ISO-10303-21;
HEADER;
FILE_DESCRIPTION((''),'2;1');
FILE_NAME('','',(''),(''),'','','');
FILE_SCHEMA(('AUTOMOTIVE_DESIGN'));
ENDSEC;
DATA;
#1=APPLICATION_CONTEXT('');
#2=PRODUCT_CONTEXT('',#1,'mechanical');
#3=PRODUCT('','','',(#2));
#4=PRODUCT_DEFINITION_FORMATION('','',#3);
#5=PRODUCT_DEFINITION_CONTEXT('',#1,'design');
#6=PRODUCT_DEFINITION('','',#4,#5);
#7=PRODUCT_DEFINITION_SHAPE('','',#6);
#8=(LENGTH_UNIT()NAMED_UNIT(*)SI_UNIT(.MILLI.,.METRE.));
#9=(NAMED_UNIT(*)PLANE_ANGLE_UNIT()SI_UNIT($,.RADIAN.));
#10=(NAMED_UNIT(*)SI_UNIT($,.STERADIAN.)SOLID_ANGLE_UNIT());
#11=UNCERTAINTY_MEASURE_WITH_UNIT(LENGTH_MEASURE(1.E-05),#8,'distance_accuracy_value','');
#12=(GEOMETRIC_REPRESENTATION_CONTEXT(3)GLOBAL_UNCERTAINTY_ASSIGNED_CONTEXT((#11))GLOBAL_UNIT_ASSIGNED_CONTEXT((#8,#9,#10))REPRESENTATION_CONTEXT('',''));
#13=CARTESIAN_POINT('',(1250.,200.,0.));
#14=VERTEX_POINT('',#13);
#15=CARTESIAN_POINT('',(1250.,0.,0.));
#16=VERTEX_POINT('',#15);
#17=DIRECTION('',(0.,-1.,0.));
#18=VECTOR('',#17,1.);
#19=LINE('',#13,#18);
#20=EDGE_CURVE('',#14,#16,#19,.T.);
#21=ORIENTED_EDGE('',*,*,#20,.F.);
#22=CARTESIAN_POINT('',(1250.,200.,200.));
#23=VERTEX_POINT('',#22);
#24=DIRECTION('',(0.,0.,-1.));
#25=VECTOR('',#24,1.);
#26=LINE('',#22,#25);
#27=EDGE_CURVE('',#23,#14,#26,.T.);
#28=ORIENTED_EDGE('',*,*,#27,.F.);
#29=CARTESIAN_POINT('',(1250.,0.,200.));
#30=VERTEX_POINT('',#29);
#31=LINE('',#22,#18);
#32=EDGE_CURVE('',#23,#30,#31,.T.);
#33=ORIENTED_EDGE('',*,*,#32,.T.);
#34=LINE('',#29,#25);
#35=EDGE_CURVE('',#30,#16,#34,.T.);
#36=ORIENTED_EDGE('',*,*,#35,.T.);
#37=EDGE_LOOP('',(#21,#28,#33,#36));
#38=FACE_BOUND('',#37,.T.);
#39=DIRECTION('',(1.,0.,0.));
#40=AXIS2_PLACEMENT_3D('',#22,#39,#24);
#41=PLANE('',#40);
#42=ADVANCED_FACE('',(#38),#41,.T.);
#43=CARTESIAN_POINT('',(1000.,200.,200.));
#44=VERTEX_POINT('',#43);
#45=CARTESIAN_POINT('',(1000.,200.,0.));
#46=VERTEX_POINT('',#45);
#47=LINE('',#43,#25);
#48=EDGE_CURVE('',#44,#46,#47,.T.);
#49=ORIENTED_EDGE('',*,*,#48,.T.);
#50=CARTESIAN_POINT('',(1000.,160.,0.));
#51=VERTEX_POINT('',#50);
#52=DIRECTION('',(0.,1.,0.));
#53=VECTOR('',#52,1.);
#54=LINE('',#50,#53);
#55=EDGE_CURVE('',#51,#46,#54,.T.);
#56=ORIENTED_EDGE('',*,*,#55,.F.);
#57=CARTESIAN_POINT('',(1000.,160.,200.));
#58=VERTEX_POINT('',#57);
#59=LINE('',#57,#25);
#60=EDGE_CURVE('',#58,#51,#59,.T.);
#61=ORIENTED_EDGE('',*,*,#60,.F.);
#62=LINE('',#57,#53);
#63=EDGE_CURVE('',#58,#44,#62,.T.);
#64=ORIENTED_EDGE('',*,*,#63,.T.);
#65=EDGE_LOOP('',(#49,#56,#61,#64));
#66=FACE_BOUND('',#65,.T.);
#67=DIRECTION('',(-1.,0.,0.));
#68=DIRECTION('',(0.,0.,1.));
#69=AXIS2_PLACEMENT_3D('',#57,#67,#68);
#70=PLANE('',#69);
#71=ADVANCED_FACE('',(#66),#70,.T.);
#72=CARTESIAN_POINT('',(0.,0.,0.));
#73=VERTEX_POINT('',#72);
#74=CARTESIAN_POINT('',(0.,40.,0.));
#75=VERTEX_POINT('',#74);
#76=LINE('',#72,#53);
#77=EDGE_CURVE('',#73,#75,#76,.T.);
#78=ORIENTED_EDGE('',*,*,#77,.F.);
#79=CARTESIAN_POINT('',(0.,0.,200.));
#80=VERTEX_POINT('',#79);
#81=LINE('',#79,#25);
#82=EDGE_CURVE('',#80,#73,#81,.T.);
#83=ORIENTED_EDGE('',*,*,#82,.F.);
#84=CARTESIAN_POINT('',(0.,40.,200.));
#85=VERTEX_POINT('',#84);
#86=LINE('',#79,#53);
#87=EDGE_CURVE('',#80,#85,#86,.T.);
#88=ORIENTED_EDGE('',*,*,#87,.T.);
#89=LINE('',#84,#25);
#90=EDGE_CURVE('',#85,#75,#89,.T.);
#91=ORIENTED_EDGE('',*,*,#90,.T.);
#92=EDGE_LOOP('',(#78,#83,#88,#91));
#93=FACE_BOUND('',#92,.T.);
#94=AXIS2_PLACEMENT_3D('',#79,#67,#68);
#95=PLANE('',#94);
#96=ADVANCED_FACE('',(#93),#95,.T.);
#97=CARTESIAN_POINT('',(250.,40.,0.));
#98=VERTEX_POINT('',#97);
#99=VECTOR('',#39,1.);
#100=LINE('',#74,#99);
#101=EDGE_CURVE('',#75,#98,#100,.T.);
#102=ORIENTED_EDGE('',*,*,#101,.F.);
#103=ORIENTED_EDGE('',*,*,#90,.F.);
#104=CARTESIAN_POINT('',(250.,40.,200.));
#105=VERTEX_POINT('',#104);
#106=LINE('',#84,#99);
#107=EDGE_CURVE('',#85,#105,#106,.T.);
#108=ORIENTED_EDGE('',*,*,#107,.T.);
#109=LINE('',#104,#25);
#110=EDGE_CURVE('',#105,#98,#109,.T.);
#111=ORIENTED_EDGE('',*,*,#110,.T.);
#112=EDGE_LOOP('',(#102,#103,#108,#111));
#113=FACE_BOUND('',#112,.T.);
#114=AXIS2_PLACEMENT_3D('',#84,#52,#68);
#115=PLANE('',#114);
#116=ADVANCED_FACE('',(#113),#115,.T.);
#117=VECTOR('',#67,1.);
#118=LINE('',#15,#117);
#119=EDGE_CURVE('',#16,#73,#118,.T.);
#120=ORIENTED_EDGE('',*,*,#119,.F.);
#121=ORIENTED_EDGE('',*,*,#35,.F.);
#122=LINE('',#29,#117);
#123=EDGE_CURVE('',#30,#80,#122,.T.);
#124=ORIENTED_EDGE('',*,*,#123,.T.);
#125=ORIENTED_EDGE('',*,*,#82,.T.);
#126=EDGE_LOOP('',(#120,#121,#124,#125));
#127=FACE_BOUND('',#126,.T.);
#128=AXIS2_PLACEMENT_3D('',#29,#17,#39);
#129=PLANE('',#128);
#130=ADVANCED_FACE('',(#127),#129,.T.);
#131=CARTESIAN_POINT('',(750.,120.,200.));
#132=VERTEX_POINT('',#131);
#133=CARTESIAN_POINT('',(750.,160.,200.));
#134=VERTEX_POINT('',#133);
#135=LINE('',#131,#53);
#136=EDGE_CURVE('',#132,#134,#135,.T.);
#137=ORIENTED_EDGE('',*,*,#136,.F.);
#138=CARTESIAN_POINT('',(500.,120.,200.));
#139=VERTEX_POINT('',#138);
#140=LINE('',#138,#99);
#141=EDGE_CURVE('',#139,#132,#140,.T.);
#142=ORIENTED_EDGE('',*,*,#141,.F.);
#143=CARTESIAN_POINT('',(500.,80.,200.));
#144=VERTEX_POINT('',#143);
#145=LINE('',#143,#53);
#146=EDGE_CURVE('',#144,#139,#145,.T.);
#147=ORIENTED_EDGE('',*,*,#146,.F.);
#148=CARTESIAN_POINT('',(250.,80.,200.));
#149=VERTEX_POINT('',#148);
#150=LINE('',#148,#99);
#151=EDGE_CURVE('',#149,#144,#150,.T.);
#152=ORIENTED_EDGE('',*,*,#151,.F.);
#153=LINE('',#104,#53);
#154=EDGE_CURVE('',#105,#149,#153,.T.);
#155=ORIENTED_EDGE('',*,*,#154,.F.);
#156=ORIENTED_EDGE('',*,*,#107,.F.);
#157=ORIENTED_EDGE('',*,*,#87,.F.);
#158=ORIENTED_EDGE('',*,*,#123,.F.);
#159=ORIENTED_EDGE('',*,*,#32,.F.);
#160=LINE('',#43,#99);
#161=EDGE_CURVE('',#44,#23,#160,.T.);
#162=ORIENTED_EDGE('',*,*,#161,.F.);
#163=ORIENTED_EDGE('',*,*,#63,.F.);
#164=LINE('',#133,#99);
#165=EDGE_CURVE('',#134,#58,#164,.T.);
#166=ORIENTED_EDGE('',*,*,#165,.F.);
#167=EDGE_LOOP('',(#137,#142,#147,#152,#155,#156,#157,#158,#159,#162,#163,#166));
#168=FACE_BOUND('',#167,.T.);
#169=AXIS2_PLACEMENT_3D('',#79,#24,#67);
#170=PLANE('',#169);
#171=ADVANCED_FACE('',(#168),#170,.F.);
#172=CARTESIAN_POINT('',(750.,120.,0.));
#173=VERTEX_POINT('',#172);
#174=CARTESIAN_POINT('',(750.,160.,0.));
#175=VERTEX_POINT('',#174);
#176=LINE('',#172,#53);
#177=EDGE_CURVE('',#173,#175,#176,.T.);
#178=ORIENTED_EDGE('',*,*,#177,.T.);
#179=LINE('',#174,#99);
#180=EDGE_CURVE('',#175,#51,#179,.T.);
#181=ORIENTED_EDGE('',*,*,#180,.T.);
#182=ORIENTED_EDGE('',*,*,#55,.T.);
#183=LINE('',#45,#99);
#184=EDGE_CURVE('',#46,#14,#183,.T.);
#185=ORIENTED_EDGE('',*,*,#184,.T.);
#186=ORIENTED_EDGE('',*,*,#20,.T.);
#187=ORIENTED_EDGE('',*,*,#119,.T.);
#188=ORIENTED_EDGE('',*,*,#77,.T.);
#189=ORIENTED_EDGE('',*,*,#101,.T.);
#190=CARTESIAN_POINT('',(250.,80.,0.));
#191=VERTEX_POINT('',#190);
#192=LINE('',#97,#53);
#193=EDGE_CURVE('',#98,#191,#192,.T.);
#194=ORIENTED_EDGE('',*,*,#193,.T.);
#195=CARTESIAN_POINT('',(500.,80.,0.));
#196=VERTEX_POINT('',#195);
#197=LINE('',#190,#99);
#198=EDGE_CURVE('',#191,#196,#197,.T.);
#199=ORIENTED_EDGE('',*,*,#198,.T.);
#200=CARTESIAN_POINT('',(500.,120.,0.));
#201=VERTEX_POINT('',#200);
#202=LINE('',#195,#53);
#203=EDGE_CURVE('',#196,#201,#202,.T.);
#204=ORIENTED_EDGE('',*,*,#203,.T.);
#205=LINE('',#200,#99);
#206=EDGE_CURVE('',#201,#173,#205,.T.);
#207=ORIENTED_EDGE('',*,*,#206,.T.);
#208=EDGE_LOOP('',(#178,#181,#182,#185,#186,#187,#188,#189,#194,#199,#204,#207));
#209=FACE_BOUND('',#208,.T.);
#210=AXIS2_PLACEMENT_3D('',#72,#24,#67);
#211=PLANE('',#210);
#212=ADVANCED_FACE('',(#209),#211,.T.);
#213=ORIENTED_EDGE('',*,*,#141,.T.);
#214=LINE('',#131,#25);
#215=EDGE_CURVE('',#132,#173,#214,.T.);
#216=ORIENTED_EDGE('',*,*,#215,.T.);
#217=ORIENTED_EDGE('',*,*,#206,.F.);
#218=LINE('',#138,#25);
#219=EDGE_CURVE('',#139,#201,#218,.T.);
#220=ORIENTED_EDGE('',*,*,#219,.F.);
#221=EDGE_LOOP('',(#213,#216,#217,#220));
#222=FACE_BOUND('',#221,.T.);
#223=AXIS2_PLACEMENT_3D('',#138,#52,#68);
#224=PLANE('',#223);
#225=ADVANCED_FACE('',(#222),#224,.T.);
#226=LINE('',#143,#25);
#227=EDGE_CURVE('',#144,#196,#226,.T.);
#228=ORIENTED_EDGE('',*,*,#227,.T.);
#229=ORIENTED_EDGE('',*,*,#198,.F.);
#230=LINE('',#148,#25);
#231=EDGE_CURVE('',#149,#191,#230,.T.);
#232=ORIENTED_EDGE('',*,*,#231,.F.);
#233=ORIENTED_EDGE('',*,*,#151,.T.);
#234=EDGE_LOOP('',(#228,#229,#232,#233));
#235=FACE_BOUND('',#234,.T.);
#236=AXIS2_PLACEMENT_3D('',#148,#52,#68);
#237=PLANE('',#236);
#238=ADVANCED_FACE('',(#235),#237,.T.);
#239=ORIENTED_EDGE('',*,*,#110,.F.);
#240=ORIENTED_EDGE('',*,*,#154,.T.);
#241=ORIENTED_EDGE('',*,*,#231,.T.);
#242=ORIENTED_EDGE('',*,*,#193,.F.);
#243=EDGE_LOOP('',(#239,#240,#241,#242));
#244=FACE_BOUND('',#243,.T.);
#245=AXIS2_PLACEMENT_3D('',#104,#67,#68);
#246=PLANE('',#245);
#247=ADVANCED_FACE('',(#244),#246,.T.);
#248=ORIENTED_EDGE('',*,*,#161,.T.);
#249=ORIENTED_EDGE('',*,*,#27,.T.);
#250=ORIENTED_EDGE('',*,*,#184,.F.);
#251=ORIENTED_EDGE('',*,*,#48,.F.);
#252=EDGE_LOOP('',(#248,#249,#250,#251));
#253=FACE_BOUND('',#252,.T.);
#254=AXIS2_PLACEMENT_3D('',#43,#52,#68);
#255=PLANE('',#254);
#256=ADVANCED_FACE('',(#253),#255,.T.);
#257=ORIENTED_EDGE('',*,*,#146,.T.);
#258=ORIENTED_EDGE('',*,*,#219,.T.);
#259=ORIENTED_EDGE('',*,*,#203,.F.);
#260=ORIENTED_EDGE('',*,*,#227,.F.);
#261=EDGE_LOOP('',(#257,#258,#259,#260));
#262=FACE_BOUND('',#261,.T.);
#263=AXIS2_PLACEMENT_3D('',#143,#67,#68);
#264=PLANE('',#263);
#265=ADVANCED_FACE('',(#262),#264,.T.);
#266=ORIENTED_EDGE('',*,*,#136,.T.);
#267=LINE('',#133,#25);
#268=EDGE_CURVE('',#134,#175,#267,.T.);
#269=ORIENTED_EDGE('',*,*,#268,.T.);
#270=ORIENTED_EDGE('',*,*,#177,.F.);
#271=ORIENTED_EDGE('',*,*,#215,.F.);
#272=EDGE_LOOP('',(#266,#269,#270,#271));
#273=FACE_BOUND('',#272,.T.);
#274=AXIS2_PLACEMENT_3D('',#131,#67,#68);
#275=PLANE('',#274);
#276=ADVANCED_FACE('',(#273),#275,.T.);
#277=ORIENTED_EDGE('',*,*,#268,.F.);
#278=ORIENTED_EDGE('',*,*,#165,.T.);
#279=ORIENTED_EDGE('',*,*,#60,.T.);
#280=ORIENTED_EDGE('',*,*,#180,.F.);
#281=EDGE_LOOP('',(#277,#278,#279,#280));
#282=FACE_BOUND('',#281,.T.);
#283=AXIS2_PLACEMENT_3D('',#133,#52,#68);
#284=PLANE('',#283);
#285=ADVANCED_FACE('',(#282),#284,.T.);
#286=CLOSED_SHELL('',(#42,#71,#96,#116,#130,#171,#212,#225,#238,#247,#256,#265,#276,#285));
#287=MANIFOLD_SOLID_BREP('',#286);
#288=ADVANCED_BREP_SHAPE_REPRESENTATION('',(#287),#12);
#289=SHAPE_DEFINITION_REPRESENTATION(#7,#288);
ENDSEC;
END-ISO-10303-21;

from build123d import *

# Parameters (mm, degrees)
EXTRUDE_1_DEPTH = 200


with BuildPart() as part:
    # 草图1 → 凸台-拉伸1 (new body)
    with BuildSketch(Plane.XY):
        Polygon((0, 0), (0, 40), (250, 40), (250, 80), (500, 80), (500, 120), (750, 120), (750, 160), (1000, 160), (1000, 200), (1250, 200), (1250, 0), align=None)
    extrude(amount=EXTRUDE_1_DEPTH)


solid = part.part
